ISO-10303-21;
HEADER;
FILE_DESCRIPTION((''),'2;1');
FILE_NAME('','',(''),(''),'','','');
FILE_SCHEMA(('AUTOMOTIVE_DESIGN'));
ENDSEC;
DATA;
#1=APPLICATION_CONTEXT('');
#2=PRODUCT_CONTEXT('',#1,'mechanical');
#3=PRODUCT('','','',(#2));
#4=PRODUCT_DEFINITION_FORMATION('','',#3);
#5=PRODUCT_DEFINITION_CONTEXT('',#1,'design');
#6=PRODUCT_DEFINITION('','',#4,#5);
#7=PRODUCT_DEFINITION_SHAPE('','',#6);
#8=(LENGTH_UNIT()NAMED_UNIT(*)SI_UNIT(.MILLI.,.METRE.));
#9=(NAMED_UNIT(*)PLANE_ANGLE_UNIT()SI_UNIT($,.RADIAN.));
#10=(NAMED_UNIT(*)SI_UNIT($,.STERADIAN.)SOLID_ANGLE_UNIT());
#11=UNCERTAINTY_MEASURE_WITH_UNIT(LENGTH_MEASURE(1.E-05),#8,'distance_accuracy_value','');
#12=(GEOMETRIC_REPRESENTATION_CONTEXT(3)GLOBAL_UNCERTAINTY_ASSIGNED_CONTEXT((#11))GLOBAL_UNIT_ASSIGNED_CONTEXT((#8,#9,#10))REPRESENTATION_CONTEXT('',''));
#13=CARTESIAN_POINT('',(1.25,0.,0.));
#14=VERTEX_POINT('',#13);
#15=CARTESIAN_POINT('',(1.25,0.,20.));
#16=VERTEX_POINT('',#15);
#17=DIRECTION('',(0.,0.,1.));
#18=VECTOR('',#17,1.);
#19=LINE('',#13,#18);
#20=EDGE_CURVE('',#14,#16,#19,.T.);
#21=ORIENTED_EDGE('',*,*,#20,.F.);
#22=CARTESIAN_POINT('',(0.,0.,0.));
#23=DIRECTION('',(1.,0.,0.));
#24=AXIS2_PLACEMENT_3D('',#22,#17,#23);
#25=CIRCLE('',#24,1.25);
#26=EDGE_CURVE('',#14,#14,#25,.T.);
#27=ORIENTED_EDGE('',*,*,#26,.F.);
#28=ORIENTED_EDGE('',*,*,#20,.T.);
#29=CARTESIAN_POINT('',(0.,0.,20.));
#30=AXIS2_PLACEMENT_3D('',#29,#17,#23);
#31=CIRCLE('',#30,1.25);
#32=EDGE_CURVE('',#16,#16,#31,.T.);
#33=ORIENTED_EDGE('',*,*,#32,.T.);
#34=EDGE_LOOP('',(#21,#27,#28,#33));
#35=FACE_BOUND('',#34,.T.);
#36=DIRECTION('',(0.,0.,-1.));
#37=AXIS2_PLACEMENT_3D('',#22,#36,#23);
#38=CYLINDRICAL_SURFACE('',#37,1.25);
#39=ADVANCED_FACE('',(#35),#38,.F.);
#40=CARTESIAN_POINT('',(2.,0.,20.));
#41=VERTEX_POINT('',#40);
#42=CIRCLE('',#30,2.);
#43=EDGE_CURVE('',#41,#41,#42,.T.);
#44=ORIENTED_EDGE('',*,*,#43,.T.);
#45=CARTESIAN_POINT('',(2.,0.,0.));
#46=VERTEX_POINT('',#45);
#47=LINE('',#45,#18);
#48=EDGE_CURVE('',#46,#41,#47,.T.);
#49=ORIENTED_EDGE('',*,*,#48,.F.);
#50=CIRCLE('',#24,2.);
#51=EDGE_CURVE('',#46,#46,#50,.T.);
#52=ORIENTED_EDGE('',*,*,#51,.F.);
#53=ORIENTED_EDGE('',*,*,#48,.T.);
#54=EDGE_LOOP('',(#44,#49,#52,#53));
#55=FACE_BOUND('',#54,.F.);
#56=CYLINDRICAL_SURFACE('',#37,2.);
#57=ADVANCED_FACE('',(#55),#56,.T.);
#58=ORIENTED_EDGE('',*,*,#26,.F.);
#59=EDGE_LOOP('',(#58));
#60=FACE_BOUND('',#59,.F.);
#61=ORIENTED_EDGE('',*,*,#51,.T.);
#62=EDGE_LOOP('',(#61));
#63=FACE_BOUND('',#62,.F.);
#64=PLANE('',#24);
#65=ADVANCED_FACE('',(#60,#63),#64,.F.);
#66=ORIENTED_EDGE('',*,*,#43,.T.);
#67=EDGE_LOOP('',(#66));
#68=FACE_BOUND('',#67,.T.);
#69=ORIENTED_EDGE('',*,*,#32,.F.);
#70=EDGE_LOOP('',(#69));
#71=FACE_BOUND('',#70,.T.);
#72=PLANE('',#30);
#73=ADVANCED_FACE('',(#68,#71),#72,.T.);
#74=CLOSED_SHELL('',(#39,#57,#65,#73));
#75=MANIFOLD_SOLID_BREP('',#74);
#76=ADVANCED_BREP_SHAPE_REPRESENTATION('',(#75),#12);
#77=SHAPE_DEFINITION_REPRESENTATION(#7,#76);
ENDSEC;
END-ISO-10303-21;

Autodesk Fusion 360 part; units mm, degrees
sketch "Esquisse1" plane through (0, 0, 0) normal (0, 0, 1) x (1, 0, 0)
sketch "Esquisse2" plane through (0, 0, 0) normal (0, 1, 0) x (1, 0, 0)
sketch "Esquisse3" plane through (0, 0, 0) normal (0, 0, 1) x (1, 0, 0)
  circle A0 centre (0, 0) radius 2
  dimension "d1" = 4
extrude "Extrusion1" add sketch "Esquisse3" along normal blind 20
sketch "Esquisse4" plane through (0, 0, 0) normal (0, 0, 1) x (1, 0, 0)
  circle A0 centre (0, 0) radius 1.25
  dimension "d4" = 2.5
extrude "Extrusion2" cut sketch "Esquisse4" along normal blind 20
